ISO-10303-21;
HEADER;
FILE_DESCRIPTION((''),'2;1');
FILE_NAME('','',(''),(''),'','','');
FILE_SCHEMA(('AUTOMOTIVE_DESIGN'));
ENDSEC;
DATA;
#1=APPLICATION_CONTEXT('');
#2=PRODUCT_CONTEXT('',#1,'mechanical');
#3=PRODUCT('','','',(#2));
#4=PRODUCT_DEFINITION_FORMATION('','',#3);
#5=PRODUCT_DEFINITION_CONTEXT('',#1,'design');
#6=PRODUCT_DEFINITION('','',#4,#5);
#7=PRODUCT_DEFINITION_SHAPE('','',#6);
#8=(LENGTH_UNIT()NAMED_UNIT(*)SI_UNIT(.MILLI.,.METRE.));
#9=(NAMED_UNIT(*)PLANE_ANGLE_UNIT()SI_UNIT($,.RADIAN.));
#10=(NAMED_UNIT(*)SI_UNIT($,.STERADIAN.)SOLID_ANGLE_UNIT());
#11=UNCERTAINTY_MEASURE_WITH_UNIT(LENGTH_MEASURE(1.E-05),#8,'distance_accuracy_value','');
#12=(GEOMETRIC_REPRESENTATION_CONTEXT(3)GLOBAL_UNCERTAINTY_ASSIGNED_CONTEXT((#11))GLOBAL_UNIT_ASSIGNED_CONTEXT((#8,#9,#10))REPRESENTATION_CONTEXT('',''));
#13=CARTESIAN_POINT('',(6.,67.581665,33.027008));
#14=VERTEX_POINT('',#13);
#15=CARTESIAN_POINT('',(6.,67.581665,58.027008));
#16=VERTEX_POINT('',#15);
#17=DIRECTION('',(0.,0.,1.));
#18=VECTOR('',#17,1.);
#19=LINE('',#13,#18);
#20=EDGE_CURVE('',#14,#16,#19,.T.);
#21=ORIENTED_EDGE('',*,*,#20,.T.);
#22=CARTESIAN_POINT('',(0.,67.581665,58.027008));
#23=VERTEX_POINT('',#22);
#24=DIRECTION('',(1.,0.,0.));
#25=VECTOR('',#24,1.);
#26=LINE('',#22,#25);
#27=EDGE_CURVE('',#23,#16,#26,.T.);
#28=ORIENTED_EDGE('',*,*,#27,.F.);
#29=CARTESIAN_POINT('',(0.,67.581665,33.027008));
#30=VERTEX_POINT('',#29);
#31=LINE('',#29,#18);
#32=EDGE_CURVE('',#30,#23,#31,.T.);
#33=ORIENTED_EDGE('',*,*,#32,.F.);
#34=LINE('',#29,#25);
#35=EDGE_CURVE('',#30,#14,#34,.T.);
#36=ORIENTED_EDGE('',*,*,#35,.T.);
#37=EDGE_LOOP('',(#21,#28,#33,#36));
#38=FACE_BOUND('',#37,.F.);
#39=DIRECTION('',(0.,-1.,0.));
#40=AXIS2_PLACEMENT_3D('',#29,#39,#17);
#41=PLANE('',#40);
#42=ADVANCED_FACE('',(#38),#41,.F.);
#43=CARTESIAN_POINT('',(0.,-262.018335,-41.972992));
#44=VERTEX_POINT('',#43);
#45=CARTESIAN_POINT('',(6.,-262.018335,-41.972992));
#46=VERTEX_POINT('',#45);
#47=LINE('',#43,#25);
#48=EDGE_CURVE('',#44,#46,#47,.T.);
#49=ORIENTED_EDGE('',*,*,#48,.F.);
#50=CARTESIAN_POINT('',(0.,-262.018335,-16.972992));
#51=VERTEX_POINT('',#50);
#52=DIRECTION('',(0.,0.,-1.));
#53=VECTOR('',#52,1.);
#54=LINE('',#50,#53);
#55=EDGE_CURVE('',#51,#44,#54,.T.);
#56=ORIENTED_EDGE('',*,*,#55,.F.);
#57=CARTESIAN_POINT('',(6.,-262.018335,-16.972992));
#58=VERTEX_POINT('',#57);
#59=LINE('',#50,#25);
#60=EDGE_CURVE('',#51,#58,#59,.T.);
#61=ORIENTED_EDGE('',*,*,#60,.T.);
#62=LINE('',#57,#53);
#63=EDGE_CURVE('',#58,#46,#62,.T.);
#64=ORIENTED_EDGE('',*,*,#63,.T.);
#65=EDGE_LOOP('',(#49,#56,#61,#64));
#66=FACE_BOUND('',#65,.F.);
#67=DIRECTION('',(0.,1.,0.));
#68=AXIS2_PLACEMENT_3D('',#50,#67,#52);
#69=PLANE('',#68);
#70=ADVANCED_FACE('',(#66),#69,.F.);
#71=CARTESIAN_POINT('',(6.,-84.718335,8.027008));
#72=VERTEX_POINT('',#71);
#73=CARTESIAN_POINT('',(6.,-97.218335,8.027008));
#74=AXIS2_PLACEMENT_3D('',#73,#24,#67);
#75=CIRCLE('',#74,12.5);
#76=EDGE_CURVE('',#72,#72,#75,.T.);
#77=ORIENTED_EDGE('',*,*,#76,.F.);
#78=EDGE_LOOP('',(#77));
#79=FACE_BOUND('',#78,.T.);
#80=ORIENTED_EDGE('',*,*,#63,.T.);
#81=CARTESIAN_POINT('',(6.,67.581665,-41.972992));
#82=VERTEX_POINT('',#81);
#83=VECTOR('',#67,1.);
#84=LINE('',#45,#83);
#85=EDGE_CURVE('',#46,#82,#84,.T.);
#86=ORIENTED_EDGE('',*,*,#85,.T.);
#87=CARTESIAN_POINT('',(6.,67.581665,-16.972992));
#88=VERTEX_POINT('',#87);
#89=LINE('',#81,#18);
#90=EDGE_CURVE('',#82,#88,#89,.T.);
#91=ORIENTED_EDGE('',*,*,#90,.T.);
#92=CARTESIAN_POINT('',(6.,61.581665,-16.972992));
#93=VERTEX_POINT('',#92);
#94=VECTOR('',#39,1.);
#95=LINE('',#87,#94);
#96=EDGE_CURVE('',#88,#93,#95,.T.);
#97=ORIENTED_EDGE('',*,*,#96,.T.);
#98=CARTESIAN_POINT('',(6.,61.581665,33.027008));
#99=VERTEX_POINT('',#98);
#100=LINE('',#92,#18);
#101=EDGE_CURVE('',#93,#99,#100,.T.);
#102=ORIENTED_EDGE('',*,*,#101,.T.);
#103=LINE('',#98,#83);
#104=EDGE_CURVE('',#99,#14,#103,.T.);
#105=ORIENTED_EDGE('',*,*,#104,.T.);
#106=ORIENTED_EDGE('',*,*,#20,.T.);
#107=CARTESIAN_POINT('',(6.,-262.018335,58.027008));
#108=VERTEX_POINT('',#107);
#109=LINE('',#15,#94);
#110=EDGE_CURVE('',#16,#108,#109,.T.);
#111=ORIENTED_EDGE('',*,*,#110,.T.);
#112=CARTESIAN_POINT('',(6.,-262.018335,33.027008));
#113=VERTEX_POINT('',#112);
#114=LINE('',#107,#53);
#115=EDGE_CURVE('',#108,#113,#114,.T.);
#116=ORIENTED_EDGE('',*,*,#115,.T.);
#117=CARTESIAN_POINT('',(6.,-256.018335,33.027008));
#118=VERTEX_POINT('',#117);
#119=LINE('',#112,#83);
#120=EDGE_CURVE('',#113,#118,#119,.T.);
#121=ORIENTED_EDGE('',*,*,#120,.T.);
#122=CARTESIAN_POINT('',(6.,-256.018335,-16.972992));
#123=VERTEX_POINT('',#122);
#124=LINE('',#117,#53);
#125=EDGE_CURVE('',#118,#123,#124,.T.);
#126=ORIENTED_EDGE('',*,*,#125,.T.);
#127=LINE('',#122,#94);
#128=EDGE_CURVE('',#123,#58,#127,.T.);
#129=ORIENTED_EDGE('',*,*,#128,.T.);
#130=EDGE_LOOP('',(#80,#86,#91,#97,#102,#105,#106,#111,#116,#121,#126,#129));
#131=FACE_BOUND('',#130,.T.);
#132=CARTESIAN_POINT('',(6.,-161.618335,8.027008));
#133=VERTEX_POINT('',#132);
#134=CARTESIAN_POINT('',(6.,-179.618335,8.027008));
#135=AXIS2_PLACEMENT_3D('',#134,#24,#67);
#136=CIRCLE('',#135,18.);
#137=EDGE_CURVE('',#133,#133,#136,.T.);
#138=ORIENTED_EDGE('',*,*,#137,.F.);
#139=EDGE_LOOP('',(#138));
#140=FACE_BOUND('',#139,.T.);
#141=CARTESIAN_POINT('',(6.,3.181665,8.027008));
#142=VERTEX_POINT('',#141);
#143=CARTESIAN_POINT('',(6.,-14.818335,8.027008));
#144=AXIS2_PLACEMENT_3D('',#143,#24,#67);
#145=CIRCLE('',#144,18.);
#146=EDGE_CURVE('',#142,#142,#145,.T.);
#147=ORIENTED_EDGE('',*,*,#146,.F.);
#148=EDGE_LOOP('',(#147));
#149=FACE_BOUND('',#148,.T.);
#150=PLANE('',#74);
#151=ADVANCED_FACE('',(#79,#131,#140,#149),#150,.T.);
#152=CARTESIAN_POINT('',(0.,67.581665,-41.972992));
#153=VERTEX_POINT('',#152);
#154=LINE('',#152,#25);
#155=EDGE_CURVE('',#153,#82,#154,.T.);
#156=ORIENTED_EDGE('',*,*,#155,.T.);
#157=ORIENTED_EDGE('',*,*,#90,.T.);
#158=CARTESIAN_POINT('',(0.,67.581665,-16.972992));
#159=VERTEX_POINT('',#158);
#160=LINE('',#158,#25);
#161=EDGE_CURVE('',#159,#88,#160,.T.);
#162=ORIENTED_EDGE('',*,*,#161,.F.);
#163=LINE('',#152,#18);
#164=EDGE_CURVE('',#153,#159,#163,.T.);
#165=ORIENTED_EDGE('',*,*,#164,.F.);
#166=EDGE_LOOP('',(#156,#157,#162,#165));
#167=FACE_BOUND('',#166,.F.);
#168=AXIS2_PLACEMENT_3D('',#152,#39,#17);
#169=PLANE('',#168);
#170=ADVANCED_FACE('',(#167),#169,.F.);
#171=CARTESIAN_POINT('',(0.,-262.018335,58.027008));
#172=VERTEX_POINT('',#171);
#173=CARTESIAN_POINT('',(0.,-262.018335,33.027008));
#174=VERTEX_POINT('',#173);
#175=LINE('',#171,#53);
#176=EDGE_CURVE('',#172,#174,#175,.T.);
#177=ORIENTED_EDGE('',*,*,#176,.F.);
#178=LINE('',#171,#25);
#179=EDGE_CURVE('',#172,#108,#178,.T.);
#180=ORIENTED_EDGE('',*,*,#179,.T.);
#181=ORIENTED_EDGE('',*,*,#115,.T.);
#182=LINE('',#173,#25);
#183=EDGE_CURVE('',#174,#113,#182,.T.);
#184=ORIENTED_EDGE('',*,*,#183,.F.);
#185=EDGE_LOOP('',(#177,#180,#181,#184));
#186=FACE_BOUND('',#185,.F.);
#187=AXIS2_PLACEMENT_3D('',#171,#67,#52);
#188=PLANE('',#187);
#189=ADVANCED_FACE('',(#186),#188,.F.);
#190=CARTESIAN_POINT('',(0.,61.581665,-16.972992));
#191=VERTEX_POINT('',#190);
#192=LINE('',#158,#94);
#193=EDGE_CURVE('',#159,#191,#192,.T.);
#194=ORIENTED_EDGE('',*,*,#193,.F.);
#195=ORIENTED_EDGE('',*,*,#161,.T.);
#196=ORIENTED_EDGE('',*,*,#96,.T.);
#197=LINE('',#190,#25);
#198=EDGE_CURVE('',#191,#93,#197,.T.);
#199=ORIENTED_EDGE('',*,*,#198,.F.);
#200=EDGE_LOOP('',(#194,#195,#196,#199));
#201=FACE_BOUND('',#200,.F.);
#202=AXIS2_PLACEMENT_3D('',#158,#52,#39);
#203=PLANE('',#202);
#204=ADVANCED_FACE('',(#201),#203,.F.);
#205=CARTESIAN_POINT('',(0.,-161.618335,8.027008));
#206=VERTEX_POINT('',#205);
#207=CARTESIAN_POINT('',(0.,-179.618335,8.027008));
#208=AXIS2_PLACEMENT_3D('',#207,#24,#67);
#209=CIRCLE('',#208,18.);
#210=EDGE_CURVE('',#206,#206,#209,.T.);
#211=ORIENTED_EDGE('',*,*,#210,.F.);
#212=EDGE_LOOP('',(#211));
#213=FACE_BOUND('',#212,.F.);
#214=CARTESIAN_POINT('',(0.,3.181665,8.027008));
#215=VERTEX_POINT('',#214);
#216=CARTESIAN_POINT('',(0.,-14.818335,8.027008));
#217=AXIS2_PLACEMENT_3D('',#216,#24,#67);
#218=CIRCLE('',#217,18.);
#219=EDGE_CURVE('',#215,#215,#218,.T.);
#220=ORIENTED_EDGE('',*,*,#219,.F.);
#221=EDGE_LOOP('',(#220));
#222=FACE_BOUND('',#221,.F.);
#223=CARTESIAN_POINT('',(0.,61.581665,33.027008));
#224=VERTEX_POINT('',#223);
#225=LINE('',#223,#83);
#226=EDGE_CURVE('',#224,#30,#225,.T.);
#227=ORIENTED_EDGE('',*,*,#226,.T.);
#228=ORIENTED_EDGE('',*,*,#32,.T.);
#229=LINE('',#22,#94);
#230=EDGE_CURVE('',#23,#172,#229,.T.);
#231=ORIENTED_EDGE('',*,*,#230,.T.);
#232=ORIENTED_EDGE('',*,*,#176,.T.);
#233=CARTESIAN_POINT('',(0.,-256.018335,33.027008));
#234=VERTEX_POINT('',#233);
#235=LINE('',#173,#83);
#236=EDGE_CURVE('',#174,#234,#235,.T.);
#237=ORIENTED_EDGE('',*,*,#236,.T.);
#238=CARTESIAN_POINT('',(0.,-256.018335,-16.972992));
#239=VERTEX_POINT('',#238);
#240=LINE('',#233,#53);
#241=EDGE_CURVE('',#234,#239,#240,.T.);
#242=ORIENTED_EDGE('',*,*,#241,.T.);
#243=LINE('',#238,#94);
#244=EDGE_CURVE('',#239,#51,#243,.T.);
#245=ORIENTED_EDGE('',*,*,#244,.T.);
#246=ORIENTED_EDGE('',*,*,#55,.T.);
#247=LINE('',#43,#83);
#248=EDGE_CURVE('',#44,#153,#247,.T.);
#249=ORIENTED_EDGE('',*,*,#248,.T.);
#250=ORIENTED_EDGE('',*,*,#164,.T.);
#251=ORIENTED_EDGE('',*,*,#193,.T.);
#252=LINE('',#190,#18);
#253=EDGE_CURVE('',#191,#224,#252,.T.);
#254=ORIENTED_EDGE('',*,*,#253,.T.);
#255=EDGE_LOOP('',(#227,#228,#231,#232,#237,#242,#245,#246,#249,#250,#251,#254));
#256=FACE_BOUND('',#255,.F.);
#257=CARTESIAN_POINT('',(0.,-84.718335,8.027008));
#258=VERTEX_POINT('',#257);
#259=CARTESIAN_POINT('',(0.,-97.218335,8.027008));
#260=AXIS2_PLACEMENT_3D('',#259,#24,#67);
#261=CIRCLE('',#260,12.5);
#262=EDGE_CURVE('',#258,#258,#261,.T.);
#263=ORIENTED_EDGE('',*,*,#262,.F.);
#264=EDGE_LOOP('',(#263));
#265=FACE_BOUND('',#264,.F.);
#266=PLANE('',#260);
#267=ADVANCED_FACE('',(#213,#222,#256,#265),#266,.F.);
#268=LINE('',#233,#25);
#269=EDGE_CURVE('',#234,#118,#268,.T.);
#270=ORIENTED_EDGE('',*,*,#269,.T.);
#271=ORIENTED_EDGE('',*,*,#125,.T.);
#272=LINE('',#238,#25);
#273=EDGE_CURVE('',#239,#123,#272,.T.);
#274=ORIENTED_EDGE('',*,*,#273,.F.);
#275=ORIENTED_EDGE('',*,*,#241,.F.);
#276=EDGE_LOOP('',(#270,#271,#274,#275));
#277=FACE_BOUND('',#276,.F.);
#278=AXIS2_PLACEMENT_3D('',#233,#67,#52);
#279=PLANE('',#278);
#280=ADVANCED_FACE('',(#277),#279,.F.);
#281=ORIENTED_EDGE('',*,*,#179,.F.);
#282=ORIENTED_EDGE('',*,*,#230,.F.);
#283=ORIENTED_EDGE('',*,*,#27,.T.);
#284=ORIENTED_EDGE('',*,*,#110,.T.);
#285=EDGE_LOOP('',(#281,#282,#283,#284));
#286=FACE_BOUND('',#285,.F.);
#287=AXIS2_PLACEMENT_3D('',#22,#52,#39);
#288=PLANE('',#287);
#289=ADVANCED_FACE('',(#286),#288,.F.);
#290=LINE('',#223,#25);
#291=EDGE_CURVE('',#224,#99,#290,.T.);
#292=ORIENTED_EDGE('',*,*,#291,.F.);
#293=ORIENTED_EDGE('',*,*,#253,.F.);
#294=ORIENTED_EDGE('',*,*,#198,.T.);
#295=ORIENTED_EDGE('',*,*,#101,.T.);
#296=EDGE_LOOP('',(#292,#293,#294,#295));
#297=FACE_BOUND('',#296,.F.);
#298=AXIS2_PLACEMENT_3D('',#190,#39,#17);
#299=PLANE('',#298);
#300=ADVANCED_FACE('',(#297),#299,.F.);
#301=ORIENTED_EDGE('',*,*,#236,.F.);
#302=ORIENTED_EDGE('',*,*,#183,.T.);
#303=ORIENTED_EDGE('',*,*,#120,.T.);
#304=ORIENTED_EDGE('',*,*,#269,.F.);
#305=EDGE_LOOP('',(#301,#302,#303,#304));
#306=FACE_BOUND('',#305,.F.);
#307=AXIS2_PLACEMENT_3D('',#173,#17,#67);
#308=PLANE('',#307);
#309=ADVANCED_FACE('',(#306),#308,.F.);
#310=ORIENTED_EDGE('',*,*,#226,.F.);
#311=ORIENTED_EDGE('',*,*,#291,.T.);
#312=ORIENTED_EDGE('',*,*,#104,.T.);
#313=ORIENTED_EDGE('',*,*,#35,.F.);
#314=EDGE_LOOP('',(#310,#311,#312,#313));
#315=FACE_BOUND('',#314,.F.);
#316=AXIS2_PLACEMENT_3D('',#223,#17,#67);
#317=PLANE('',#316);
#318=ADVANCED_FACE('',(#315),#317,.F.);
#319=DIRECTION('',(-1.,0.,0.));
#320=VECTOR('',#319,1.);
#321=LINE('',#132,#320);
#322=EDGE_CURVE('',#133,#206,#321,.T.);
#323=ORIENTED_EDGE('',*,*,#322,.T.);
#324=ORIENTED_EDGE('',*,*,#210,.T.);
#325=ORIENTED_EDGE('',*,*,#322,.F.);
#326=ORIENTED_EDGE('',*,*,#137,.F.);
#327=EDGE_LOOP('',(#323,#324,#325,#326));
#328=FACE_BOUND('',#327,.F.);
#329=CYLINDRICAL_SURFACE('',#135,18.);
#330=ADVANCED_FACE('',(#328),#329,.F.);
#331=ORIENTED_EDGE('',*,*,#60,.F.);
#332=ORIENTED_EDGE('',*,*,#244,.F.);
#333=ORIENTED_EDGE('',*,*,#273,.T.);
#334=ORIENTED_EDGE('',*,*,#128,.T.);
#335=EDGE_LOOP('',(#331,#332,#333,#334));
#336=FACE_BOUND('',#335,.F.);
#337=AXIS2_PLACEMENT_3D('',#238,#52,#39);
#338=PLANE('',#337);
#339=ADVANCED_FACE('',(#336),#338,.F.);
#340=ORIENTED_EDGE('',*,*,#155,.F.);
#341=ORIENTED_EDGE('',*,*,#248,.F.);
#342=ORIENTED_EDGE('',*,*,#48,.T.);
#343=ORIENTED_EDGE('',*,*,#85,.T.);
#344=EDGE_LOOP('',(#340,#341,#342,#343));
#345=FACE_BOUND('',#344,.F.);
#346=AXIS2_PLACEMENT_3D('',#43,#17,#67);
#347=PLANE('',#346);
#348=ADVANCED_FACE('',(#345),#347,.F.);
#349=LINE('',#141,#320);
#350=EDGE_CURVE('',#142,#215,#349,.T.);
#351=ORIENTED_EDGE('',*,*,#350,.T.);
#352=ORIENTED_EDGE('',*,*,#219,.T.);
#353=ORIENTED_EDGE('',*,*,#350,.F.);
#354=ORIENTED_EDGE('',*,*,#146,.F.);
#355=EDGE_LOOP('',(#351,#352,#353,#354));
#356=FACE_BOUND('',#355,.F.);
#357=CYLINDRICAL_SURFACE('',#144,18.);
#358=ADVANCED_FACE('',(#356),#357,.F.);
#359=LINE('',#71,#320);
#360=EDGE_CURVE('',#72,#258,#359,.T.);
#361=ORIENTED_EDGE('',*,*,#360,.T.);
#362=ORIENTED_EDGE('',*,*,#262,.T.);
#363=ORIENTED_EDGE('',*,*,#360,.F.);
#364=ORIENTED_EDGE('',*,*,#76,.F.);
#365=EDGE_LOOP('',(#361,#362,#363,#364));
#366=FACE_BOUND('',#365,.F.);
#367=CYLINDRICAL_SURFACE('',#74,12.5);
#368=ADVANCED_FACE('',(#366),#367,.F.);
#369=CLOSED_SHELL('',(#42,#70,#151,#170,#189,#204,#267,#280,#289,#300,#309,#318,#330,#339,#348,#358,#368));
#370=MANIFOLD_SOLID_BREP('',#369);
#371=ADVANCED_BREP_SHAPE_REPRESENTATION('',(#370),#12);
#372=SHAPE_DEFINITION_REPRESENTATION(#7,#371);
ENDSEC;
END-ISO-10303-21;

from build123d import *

# Parameters (mm, degrees)
F1_DEPTH = 6
F2_R     = 18
F2_R_2   = 12.5
F3_DEPTH = 25


with BuildPart() as f1:
    # F0 (on Right) → F1 (new body)
    with BuildSketch(Plane.YZ):
        Polygon((61.581665, 58.027008), (-256.018335, 58.027008), (-262.018335, 58.027008), (-262.018335, 33.027008), (-256.018335, 33.027008), (-256.018335, -16.972992), (-262.018335, -16.972992), (-262.018335, -41.972992), (-256.018335, -41.972992), (61.581665, -41.972992), (67.581665, -41.972992), (67.581665, -16.972992), (61.581665, -16.972992), (61.581665, 33.027008), (67.581665, 33.027008), (67.581665, 58.027008), align=None)
    extrude(amount=F1_DEPTH)

    # F2 (on face) → F3 (cut)
    with BuildSketch(Plane.YZ.offset(6)):
        with Locations((-179.618335, 8.027008)):
            Circle(F2_R)
        with Locations((-97.218335, 8.027008)):
            Circle(F2_R_2)
        with Locations((-14.818335, 8.027008)):
            Circle(F2_R)
    extrude(amount=-F3_DEPTH, mode=Mode.SUBTRACT)


solid = f1.part
